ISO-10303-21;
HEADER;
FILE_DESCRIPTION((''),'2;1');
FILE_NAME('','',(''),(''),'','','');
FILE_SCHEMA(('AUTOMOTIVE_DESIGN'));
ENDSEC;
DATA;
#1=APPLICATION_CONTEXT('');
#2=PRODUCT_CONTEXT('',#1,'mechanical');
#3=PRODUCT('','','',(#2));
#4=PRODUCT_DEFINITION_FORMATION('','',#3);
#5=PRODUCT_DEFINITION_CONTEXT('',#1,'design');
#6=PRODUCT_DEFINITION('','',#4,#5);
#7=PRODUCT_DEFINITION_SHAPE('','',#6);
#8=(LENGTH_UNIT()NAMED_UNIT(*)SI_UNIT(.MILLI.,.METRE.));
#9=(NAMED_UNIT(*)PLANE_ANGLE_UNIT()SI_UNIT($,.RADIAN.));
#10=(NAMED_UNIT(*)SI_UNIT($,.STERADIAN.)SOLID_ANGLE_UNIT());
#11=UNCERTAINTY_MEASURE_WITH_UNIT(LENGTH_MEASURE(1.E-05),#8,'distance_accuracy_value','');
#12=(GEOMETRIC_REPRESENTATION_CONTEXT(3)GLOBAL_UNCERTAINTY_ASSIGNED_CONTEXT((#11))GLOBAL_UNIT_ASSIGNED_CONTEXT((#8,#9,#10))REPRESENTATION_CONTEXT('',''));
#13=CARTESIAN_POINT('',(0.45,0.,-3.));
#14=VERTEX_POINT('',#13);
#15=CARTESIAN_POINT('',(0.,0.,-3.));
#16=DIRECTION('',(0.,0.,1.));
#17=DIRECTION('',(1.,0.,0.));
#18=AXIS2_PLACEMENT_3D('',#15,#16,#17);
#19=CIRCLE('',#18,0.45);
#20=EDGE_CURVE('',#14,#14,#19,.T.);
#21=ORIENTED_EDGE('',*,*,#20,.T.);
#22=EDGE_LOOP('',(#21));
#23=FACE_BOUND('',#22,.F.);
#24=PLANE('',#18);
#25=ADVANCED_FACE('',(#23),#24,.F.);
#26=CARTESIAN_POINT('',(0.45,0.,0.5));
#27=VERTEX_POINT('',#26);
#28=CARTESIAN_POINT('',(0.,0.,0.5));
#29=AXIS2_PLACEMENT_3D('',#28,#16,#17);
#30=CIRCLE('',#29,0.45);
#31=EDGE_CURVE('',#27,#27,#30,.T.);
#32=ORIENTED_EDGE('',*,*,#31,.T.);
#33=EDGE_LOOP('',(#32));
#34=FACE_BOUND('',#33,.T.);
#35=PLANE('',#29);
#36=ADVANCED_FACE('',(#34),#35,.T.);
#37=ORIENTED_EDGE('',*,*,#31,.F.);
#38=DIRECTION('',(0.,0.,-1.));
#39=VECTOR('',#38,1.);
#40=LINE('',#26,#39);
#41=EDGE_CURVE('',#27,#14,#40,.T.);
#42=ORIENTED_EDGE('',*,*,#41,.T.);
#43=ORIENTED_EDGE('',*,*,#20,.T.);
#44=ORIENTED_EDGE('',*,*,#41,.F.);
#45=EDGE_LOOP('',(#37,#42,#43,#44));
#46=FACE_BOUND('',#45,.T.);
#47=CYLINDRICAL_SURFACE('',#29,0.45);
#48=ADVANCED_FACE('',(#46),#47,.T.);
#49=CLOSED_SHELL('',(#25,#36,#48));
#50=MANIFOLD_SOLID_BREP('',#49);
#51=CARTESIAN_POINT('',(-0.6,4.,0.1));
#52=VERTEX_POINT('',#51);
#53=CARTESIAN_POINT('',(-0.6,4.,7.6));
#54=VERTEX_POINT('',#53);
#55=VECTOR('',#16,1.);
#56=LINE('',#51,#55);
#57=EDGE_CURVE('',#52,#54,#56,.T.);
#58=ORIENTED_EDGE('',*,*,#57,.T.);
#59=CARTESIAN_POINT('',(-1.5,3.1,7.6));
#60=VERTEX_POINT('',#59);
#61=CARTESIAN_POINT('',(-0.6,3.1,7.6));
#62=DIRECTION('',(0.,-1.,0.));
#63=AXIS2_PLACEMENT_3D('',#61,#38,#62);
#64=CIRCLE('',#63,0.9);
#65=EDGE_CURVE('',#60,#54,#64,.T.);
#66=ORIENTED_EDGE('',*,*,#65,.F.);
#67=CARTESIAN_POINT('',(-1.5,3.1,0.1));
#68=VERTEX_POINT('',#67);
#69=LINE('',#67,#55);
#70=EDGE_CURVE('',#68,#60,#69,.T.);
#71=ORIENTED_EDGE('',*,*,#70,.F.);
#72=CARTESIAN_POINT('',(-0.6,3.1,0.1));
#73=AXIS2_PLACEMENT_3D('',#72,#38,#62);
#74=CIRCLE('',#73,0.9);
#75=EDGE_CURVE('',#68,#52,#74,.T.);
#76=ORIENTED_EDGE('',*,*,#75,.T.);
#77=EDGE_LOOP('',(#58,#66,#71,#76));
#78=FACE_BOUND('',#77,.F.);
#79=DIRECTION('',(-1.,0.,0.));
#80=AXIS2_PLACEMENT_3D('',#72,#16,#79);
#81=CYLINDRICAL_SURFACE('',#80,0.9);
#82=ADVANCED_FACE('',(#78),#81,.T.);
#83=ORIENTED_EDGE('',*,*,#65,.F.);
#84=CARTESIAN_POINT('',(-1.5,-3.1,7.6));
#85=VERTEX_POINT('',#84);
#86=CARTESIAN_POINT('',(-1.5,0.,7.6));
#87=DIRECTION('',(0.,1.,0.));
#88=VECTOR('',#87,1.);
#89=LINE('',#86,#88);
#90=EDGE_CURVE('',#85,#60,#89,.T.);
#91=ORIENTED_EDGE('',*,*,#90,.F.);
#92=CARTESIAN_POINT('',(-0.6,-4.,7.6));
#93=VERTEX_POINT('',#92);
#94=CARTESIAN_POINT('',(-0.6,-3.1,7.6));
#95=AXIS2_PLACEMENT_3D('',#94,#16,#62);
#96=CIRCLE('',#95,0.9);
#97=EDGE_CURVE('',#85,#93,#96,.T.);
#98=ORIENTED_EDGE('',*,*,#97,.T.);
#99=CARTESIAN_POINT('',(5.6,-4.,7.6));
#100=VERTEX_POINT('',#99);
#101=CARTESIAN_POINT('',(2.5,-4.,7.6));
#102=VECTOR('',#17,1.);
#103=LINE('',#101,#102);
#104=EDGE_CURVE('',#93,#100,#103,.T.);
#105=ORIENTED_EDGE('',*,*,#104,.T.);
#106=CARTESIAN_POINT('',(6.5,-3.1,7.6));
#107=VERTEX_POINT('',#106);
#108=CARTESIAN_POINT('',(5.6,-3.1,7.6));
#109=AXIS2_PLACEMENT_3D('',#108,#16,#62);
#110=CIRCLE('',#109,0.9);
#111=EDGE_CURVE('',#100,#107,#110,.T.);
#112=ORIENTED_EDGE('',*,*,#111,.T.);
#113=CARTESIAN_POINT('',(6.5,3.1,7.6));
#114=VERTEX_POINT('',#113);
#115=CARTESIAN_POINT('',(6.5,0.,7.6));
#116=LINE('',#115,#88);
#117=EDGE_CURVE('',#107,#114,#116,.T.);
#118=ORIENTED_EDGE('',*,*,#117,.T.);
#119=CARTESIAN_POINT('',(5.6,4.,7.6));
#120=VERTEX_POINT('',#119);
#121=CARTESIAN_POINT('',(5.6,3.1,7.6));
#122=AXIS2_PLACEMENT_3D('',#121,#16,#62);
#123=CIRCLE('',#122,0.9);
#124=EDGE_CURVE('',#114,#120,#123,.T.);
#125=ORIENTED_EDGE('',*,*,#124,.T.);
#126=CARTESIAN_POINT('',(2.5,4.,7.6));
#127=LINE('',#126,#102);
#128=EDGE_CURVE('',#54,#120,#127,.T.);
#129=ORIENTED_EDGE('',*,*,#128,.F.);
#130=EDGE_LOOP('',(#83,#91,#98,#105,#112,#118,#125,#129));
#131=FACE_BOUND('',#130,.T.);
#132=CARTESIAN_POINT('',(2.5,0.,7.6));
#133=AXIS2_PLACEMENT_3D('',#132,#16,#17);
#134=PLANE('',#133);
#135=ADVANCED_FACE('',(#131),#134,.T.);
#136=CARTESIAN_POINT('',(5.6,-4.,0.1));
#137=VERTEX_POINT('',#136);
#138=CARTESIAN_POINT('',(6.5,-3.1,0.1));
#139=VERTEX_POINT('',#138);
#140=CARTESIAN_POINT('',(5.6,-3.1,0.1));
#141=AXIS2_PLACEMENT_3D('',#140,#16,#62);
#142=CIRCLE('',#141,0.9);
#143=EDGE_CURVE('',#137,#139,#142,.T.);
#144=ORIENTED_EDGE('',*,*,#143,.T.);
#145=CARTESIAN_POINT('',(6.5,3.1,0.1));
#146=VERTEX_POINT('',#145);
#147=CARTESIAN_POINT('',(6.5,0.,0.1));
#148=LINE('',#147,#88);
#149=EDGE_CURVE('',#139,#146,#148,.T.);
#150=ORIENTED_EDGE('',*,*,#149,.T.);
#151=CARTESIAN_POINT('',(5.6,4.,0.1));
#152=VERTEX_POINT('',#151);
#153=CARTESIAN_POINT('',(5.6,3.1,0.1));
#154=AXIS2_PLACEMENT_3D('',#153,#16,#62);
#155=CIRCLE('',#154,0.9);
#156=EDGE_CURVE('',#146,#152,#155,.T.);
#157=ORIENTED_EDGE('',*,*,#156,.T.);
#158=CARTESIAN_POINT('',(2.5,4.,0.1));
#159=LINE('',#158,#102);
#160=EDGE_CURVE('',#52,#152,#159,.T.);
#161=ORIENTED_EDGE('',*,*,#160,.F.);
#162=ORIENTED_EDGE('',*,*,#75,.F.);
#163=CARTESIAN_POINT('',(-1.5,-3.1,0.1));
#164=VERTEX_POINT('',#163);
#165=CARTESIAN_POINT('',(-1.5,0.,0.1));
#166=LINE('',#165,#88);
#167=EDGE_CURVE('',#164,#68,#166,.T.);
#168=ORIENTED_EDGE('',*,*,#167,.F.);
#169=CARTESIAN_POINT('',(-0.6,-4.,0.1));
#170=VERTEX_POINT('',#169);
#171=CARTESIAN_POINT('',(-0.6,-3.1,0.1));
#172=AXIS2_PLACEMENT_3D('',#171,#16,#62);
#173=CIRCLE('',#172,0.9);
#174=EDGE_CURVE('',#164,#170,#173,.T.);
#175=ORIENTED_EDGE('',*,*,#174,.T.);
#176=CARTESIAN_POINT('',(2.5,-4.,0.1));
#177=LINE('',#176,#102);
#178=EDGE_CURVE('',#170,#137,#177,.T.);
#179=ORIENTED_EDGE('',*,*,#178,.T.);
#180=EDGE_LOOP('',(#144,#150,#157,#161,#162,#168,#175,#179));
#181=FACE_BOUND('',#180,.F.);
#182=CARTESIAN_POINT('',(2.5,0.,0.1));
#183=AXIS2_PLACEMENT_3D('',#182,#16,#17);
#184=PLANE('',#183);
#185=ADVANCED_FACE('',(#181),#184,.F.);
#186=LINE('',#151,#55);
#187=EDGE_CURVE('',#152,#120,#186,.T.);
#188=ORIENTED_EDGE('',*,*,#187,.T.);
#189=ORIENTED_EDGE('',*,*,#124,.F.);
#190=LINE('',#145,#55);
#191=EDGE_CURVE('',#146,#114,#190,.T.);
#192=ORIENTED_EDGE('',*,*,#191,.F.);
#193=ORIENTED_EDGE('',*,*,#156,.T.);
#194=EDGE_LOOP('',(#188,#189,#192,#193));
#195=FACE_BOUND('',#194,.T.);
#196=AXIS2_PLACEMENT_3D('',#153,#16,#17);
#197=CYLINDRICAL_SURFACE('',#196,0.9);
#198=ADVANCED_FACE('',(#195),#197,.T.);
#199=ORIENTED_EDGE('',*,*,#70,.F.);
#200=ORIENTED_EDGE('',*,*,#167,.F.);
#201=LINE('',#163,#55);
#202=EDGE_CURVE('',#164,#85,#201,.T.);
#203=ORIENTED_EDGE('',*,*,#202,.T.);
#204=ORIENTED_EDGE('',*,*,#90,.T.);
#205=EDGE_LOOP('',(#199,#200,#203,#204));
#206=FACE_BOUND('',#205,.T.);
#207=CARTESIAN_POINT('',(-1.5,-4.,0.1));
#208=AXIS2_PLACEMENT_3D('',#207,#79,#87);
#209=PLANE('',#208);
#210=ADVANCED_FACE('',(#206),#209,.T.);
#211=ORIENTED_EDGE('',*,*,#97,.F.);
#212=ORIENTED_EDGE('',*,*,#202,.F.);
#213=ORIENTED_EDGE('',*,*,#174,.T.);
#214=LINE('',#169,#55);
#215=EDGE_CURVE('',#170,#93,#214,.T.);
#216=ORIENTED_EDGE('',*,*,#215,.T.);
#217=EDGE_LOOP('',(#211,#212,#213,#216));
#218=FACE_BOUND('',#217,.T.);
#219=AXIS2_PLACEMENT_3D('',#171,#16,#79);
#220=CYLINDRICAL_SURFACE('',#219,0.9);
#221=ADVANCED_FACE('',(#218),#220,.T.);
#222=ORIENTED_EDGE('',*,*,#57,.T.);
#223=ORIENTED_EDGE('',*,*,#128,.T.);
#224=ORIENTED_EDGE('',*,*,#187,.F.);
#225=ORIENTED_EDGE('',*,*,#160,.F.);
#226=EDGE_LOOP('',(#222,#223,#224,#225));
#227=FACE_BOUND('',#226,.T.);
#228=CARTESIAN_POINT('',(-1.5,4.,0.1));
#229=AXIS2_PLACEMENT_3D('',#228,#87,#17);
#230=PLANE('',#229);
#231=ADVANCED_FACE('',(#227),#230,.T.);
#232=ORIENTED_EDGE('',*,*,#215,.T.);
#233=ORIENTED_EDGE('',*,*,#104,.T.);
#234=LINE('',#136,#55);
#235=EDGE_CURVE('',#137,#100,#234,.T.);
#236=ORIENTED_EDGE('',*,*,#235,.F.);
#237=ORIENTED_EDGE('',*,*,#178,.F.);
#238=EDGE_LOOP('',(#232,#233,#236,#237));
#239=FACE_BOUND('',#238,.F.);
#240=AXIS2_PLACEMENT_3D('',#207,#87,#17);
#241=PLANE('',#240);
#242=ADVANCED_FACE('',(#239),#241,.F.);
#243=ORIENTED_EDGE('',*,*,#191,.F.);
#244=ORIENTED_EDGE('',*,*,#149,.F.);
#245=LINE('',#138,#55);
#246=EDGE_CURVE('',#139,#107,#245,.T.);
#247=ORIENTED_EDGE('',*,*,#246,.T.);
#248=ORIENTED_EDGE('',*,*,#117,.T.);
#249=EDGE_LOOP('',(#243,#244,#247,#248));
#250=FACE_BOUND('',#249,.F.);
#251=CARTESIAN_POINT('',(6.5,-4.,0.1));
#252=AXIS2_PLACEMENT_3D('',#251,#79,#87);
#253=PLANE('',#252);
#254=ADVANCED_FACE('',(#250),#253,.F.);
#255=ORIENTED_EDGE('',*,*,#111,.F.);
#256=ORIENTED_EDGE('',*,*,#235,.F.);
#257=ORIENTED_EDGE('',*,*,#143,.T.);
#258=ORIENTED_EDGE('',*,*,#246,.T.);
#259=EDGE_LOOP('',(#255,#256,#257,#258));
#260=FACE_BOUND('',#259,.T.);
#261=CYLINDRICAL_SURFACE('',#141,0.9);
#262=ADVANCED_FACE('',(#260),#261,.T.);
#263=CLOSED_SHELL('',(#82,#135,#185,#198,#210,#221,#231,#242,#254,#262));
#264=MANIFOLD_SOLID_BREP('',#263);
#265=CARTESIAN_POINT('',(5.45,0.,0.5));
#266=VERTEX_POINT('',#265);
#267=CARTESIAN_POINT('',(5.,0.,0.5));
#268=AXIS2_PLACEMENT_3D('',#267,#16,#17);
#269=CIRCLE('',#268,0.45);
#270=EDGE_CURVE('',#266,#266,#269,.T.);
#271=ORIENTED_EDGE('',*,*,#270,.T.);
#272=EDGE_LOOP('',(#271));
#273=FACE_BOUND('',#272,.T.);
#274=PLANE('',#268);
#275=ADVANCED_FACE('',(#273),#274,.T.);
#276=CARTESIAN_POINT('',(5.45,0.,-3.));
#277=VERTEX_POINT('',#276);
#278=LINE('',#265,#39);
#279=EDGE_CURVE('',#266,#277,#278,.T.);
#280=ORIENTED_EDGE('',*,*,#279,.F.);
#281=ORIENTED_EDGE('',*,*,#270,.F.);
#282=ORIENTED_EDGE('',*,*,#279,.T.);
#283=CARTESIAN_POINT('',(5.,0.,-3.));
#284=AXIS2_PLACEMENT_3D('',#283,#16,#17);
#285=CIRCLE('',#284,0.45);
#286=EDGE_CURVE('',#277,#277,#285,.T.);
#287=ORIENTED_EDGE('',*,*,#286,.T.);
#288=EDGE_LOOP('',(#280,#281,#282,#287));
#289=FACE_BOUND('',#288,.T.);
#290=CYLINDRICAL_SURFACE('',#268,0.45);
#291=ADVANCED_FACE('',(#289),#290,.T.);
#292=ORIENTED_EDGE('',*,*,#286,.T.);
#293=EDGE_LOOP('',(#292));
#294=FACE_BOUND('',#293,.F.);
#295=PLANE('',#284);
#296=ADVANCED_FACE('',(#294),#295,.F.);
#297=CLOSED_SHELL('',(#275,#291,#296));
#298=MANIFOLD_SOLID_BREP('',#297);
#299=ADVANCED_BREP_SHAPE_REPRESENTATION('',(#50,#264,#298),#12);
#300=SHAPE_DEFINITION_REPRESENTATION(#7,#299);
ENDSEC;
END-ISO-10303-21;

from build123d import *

# Parameters (mm, degrees)
SKETCH001_R  = 0.45
PAD001_DEPTH = 3.5
SKETCH_W     = 8
SKETCH_H     = 8
PAD_DEPTH    = 7.5
FILLET_R     = 0.9


with BuildPart() as pad001:
    # Sketch001 → Pad001 (new body)
    with BuildSketch(Plane.XY.offset(0.5)):
        Circle(SKETCH001_R)
        with Locations((5, 0)):
            Circle(SKETCH001_R)
    extrude(amount=-PAD001_DEPTH)


with BuildPart() as fillet_body:
    # Sketch → Pad (new body)
    with BuildSketch(Plane.XY.offset(0.1)):
        with Locations((2.5, 0)):
            Rectangle(SKETCH_W, SKETCH_H)
    extrude(amount=PAD_DEPTH)

    # Fillet
    fillet_edges = [fillet_body.edges().sort_by_distance(p)[0] for p in [
        (6.5, -4, 3.85),
        (6.5, 4, 3.85),
        (-1.5, -4, 3.85),
        (-1.5, 4, 3.85),
    ]]
    fillet(fillet_edges, radius=FILLET_R)


solid = Compound([pad001.part, fillet_body.part])
